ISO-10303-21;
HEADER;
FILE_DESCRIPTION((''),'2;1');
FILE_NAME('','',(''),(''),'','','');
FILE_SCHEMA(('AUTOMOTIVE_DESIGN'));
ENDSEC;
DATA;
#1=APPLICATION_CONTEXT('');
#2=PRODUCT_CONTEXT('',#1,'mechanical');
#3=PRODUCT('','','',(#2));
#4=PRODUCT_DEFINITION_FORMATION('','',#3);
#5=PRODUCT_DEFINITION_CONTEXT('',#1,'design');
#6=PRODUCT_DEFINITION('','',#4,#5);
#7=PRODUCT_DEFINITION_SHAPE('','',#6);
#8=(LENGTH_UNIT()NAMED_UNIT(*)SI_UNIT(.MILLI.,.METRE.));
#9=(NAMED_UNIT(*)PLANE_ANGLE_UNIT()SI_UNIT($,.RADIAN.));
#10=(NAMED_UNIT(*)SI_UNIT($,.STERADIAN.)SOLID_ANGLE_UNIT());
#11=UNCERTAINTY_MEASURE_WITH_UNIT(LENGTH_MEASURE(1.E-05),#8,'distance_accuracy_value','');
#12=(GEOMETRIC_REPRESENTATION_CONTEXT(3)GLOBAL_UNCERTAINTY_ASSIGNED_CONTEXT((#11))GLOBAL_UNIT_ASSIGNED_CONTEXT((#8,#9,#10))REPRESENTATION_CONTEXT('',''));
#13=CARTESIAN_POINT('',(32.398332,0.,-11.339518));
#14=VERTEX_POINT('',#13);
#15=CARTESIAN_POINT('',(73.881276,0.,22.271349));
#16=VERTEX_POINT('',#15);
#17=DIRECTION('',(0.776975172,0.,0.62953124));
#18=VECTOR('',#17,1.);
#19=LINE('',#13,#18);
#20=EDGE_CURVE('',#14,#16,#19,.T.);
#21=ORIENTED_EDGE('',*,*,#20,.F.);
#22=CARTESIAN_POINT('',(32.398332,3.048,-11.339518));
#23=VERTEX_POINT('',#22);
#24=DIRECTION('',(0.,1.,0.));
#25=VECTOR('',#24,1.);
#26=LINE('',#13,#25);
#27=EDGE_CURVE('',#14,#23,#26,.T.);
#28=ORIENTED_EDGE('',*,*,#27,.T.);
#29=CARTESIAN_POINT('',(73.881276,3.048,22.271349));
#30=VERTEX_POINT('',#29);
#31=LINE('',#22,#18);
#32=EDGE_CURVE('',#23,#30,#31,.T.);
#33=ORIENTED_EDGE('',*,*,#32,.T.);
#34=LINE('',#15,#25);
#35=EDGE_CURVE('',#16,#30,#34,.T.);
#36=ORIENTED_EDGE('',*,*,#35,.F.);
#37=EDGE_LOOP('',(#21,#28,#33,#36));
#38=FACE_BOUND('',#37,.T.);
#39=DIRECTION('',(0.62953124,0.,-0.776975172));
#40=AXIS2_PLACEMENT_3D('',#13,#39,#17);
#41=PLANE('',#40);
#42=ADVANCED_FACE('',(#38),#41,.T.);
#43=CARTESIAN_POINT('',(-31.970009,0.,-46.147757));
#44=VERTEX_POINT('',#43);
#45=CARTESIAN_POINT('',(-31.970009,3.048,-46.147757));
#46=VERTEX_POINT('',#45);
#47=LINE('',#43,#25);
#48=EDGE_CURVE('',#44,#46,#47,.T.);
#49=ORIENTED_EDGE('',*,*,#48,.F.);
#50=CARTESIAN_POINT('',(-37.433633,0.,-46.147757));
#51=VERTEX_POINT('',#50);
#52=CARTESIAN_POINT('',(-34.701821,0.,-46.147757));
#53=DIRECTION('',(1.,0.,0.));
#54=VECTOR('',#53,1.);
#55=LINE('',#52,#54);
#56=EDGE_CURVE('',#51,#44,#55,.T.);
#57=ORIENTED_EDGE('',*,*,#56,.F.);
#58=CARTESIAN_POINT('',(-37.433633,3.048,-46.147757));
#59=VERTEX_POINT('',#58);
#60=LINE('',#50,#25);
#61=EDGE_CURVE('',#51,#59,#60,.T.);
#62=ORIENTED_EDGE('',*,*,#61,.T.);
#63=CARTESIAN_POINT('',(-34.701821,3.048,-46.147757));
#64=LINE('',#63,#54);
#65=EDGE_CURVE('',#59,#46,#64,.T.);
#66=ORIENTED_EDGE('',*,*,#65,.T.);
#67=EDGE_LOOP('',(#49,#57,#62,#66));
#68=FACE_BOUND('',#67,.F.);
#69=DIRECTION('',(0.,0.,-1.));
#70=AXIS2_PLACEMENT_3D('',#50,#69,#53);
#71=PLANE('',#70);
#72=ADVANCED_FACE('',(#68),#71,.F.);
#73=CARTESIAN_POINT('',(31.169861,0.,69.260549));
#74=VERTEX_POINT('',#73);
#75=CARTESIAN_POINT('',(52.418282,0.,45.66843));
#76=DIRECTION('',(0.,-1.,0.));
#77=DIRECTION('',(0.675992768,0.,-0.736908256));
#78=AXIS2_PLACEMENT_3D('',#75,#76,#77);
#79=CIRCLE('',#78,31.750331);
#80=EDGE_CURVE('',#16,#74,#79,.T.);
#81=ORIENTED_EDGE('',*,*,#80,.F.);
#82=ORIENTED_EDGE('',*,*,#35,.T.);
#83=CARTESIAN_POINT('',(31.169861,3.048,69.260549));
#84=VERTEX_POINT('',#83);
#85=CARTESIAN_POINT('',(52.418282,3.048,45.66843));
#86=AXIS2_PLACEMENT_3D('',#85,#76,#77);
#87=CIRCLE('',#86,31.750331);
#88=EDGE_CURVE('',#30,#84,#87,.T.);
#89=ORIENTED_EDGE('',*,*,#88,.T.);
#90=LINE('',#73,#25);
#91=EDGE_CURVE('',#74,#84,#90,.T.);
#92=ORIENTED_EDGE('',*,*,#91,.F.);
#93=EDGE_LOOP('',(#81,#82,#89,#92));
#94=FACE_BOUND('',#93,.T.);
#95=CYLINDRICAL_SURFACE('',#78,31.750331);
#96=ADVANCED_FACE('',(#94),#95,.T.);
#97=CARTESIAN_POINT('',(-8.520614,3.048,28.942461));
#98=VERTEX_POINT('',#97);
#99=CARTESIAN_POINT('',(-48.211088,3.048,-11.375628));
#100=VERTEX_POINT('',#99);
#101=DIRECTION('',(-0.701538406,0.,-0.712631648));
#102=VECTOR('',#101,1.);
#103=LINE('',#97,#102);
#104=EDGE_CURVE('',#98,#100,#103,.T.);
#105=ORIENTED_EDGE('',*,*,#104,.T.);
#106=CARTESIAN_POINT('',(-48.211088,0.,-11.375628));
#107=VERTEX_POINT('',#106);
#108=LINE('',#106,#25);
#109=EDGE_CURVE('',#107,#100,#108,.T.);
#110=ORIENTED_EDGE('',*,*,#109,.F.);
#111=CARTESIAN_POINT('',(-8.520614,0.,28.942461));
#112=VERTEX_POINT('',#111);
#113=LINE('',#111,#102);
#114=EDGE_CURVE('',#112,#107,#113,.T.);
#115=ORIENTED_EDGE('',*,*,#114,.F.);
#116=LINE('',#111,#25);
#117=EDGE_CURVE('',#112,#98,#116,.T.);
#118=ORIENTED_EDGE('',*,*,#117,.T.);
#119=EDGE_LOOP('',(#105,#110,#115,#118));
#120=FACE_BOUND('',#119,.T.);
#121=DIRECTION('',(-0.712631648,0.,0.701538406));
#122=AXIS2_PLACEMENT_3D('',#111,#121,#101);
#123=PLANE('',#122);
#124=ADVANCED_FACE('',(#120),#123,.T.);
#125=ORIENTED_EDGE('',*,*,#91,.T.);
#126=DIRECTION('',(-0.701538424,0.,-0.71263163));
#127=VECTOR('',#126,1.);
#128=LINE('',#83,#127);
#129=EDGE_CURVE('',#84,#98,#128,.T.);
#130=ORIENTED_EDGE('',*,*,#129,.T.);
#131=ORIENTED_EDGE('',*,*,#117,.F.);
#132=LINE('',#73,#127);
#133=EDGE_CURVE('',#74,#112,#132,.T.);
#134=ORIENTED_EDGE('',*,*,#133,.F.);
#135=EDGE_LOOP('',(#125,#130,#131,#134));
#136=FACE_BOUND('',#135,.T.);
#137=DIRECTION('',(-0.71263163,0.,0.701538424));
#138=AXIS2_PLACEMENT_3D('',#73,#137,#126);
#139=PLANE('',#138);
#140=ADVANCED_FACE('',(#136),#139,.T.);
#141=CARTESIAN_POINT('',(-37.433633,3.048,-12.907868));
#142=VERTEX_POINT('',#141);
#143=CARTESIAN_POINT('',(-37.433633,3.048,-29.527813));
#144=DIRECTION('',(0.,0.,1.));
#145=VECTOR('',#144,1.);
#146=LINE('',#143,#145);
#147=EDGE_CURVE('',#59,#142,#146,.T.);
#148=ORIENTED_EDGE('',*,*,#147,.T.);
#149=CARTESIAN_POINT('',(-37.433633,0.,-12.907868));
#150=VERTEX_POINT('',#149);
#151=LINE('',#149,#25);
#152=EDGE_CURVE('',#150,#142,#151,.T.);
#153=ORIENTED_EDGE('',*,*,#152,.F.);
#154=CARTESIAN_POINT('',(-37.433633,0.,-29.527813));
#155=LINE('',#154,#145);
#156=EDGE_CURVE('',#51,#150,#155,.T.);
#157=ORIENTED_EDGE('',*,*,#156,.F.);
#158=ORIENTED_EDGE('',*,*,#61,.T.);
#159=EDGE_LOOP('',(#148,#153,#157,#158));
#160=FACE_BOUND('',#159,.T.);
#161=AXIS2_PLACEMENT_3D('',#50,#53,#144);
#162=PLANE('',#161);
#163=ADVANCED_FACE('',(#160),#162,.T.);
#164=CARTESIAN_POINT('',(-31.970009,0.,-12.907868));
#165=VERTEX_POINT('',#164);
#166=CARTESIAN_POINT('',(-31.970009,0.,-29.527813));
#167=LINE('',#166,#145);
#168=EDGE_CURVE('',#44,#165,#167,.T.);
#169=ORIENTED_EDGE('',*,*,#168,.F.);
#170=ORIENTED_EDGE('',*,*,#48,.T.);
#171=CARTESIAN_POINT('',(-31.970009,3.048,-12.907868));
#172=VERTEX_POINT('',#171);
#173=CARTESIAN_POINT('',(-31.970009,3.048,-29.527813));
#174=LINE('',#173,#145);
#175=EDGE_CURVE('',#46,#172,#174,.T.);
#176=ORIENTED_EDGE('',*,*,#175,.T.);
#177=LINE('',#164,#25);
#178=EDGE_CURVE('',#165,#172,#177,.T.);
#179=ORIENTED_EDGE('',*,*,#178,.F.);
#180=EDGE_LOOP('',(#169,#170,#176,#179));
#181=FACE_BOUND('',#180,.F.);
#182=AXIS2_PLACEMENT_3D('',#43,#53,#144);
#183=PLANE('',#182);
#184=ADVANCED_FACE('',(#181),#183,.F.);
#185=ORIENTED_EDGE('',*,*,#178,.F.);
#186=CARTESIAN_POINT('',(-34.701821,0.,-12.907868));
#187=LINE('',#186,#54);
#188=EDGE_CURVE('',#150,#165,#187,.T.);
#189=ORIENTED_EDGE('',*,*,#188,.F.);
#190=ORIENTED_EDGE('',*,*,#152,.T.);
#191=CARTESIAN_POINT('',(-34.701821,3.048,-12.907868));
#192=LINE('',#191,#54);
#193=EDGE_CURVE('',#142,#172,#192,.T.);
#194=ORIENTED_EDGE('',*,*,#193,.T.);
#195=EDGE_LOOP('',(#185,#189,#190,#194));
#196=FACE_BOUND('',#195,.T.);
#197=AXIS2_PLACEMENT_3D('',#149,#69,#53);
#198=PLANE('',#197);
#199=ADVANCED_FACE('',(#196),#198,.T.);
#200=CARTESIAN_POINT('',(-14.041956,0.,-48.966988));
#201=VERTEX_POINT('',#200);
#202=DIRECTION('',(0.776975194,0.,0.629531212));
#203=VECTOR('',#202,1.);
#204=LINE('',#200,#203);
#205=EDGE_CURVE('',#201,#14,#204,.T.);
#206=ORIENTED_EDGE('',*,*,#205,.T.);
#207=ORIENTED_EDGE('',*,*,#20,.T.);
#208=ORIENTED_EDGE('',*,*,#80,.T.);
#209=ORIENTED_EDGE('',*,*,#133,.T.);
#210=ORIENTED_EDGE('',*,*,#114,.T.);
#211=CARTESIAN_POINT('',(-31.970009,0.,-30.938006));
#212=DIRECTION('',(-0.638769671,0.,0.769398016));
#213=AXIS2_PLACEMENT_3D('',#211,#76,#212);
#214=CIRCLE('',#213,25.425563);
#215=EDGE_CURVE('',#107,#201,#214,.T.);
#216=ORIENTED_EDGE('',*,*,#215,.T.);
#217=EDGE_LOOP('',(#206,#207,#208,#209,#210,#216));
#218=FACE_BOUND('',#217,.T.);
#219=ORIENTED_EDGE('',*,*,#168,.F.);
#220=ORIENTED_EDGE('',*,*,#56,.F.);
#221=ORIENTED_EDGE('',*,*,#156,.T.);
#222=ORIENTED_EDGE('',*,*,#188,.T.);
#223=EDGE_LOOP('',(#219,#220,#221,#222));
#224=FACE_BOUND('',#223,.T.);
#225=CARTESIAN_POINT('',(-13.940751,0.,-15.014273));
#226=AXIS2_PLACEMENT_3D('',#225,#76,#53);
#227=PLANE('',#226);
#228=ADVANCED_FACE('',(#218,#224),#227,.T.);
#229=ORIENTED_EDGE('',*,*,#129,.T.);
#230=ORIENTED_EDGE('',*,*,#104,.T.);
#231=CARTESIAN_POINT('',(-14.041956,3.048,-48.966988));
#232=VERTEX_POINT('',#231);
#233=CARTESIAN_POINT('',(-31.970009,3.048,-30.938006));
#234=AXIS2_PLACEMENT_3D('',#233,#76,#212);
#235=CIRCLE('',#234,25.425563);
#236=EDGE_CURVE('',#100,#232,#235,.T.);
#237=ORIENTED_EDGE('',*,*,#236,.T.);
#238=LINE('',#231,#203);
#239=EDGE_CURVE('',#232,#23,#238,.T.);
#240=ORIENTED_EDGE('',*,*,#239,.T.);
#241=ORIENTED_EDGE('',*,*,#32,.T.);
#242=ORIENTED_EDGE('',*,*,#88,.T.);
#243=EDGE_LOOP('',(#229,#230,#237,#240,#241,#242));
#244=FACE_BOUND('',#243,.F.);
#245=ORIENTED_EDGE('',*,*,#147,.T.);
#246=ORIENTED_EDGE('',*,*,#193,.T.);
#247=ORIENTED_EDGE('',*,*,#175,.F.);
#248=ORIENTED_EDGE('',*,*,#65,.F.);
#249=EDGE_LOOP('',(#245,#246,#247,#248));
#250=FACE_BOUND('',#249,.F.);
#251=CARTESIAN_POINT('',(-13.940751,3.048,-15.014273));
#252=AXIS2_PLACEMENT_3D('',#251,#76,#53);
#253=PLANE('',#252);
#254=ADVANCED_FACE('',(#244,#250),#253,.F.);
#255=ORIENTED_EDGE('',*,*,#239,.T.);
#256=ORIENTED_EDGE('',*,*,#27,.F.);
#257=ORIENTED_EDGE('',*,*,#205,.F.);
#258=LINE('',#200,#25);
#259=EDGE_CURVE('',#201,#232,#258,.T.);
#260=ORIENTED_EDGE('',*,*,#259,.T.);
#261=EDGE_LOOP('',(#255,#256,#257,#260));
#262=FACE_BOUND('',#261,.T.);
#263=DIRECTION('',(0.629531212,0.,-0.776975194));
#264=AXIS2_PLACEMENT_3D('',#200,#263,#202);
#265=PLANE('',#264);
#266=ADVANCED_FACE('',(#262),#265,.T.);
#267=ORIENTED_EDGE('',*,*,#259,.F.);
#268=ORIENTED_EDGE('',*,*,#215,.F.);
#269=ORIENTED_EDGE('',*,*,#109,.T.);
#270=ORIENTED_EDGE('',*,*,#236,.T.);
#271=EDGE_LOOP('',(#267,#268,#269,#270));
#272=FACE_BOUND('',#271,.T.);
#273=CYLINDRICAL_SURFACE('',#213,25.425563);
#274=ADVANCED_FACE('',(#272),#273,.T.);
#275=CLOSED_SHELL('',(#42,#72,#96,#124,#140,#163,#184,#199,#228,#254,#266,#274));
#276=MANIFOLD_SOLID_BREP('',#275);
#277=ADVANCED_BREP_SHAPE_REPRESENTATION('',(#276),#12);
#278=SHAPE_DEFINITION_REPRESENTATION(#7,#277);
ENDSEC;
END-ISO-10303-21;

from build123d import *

# Parameters (mm, degrees)
F0_W     = 5.463624
F0_H     = 33.239889
F1_DEPTH = 3.048


with BuildPart() as f1:
    # F0 (on Front) → F1 (new body)
    with BuildSketch(Plane.XZ):
        with BuildLine():
            Line((-16.085081, -46.69949), (30.212463, -9.187675))
            Line((30.212463, -9.187675), (-6.348512, 26.804171))
            Line((-6.348512, 26.804171), (-46.149795, -13.626478))
            ThreePointArc((-46.149795, -13.626478), (-48.528478, -45.990328), (-16.085081, -46.69949))
        make_face()
        with Locations((-34.701821, -29.527813)):
            Rectangle(F0_W, F0_H, mode=Mode.SUBTRACT)
        with BuildLine():
            ThreePointArc((-48.211088, -11.375628), (-50.784606, -48.039767), (-14.041956, -48.966988))
            Line((-14.041956, -48.966988), (32.398332, -11.339518))
            Line((32.398332, -11.339518), (30.212463, -9.187675))
            Line((30.212463, -9.187675), (-16.085081, -46.69949))
            ThreePointArc((-16.085081, -46.69949), (-48.528478, -45.990328), (-46.149795, -13.626478))
            Line((-46.149795, -13.626478), (-6.348512, 26.804171))
            Line((-6.348512, 26.804171), (-8.520614, 28.942461))
            Line((-8.520614, 28.942461), (-48.211088, -11.375628))
        make_face()
        with BuildLine():
            Line((-6.348512, 26.804171), (30.212463, -9.187675))
            Line((30.212463, -9.187675), (71.887948, 24.579194))
            ThreePointArc((71.887948, 24.579194), (73.656996, 64.974925), (33.276104, 67.05536))
            Line((33.276104, 67.05536), (-6.348512, 26.804171))
        make_face()
        with BuildLine():
            Line((30.212463, -9.187675), (32.398332, -11.339518))
            Line((32.398332, -11.339518), (73.881276, 22.271349))
            ThreePointArc((73.881276, 22.271349), (75.913127, 67.02436), (31.169861, 69.260549))
            Line((31.169861, 69.260549), (-8.520614, 28.942461))
            Line((-8.520614, 28.942461), (-6.348512, 26.804171))
            Line((-6.348512, 26.804171), (33.276104, 67.05536))
            ThreePointArc((33.276104, 67.05536), (73.656996, 64.974925), (71.887948, 24.579194))
            Line((71.887948, 24.579194), (30.212463, -9.187675))
        make_face()
    extrude(amount=-F1_DEPTH)


solid = f1.part
